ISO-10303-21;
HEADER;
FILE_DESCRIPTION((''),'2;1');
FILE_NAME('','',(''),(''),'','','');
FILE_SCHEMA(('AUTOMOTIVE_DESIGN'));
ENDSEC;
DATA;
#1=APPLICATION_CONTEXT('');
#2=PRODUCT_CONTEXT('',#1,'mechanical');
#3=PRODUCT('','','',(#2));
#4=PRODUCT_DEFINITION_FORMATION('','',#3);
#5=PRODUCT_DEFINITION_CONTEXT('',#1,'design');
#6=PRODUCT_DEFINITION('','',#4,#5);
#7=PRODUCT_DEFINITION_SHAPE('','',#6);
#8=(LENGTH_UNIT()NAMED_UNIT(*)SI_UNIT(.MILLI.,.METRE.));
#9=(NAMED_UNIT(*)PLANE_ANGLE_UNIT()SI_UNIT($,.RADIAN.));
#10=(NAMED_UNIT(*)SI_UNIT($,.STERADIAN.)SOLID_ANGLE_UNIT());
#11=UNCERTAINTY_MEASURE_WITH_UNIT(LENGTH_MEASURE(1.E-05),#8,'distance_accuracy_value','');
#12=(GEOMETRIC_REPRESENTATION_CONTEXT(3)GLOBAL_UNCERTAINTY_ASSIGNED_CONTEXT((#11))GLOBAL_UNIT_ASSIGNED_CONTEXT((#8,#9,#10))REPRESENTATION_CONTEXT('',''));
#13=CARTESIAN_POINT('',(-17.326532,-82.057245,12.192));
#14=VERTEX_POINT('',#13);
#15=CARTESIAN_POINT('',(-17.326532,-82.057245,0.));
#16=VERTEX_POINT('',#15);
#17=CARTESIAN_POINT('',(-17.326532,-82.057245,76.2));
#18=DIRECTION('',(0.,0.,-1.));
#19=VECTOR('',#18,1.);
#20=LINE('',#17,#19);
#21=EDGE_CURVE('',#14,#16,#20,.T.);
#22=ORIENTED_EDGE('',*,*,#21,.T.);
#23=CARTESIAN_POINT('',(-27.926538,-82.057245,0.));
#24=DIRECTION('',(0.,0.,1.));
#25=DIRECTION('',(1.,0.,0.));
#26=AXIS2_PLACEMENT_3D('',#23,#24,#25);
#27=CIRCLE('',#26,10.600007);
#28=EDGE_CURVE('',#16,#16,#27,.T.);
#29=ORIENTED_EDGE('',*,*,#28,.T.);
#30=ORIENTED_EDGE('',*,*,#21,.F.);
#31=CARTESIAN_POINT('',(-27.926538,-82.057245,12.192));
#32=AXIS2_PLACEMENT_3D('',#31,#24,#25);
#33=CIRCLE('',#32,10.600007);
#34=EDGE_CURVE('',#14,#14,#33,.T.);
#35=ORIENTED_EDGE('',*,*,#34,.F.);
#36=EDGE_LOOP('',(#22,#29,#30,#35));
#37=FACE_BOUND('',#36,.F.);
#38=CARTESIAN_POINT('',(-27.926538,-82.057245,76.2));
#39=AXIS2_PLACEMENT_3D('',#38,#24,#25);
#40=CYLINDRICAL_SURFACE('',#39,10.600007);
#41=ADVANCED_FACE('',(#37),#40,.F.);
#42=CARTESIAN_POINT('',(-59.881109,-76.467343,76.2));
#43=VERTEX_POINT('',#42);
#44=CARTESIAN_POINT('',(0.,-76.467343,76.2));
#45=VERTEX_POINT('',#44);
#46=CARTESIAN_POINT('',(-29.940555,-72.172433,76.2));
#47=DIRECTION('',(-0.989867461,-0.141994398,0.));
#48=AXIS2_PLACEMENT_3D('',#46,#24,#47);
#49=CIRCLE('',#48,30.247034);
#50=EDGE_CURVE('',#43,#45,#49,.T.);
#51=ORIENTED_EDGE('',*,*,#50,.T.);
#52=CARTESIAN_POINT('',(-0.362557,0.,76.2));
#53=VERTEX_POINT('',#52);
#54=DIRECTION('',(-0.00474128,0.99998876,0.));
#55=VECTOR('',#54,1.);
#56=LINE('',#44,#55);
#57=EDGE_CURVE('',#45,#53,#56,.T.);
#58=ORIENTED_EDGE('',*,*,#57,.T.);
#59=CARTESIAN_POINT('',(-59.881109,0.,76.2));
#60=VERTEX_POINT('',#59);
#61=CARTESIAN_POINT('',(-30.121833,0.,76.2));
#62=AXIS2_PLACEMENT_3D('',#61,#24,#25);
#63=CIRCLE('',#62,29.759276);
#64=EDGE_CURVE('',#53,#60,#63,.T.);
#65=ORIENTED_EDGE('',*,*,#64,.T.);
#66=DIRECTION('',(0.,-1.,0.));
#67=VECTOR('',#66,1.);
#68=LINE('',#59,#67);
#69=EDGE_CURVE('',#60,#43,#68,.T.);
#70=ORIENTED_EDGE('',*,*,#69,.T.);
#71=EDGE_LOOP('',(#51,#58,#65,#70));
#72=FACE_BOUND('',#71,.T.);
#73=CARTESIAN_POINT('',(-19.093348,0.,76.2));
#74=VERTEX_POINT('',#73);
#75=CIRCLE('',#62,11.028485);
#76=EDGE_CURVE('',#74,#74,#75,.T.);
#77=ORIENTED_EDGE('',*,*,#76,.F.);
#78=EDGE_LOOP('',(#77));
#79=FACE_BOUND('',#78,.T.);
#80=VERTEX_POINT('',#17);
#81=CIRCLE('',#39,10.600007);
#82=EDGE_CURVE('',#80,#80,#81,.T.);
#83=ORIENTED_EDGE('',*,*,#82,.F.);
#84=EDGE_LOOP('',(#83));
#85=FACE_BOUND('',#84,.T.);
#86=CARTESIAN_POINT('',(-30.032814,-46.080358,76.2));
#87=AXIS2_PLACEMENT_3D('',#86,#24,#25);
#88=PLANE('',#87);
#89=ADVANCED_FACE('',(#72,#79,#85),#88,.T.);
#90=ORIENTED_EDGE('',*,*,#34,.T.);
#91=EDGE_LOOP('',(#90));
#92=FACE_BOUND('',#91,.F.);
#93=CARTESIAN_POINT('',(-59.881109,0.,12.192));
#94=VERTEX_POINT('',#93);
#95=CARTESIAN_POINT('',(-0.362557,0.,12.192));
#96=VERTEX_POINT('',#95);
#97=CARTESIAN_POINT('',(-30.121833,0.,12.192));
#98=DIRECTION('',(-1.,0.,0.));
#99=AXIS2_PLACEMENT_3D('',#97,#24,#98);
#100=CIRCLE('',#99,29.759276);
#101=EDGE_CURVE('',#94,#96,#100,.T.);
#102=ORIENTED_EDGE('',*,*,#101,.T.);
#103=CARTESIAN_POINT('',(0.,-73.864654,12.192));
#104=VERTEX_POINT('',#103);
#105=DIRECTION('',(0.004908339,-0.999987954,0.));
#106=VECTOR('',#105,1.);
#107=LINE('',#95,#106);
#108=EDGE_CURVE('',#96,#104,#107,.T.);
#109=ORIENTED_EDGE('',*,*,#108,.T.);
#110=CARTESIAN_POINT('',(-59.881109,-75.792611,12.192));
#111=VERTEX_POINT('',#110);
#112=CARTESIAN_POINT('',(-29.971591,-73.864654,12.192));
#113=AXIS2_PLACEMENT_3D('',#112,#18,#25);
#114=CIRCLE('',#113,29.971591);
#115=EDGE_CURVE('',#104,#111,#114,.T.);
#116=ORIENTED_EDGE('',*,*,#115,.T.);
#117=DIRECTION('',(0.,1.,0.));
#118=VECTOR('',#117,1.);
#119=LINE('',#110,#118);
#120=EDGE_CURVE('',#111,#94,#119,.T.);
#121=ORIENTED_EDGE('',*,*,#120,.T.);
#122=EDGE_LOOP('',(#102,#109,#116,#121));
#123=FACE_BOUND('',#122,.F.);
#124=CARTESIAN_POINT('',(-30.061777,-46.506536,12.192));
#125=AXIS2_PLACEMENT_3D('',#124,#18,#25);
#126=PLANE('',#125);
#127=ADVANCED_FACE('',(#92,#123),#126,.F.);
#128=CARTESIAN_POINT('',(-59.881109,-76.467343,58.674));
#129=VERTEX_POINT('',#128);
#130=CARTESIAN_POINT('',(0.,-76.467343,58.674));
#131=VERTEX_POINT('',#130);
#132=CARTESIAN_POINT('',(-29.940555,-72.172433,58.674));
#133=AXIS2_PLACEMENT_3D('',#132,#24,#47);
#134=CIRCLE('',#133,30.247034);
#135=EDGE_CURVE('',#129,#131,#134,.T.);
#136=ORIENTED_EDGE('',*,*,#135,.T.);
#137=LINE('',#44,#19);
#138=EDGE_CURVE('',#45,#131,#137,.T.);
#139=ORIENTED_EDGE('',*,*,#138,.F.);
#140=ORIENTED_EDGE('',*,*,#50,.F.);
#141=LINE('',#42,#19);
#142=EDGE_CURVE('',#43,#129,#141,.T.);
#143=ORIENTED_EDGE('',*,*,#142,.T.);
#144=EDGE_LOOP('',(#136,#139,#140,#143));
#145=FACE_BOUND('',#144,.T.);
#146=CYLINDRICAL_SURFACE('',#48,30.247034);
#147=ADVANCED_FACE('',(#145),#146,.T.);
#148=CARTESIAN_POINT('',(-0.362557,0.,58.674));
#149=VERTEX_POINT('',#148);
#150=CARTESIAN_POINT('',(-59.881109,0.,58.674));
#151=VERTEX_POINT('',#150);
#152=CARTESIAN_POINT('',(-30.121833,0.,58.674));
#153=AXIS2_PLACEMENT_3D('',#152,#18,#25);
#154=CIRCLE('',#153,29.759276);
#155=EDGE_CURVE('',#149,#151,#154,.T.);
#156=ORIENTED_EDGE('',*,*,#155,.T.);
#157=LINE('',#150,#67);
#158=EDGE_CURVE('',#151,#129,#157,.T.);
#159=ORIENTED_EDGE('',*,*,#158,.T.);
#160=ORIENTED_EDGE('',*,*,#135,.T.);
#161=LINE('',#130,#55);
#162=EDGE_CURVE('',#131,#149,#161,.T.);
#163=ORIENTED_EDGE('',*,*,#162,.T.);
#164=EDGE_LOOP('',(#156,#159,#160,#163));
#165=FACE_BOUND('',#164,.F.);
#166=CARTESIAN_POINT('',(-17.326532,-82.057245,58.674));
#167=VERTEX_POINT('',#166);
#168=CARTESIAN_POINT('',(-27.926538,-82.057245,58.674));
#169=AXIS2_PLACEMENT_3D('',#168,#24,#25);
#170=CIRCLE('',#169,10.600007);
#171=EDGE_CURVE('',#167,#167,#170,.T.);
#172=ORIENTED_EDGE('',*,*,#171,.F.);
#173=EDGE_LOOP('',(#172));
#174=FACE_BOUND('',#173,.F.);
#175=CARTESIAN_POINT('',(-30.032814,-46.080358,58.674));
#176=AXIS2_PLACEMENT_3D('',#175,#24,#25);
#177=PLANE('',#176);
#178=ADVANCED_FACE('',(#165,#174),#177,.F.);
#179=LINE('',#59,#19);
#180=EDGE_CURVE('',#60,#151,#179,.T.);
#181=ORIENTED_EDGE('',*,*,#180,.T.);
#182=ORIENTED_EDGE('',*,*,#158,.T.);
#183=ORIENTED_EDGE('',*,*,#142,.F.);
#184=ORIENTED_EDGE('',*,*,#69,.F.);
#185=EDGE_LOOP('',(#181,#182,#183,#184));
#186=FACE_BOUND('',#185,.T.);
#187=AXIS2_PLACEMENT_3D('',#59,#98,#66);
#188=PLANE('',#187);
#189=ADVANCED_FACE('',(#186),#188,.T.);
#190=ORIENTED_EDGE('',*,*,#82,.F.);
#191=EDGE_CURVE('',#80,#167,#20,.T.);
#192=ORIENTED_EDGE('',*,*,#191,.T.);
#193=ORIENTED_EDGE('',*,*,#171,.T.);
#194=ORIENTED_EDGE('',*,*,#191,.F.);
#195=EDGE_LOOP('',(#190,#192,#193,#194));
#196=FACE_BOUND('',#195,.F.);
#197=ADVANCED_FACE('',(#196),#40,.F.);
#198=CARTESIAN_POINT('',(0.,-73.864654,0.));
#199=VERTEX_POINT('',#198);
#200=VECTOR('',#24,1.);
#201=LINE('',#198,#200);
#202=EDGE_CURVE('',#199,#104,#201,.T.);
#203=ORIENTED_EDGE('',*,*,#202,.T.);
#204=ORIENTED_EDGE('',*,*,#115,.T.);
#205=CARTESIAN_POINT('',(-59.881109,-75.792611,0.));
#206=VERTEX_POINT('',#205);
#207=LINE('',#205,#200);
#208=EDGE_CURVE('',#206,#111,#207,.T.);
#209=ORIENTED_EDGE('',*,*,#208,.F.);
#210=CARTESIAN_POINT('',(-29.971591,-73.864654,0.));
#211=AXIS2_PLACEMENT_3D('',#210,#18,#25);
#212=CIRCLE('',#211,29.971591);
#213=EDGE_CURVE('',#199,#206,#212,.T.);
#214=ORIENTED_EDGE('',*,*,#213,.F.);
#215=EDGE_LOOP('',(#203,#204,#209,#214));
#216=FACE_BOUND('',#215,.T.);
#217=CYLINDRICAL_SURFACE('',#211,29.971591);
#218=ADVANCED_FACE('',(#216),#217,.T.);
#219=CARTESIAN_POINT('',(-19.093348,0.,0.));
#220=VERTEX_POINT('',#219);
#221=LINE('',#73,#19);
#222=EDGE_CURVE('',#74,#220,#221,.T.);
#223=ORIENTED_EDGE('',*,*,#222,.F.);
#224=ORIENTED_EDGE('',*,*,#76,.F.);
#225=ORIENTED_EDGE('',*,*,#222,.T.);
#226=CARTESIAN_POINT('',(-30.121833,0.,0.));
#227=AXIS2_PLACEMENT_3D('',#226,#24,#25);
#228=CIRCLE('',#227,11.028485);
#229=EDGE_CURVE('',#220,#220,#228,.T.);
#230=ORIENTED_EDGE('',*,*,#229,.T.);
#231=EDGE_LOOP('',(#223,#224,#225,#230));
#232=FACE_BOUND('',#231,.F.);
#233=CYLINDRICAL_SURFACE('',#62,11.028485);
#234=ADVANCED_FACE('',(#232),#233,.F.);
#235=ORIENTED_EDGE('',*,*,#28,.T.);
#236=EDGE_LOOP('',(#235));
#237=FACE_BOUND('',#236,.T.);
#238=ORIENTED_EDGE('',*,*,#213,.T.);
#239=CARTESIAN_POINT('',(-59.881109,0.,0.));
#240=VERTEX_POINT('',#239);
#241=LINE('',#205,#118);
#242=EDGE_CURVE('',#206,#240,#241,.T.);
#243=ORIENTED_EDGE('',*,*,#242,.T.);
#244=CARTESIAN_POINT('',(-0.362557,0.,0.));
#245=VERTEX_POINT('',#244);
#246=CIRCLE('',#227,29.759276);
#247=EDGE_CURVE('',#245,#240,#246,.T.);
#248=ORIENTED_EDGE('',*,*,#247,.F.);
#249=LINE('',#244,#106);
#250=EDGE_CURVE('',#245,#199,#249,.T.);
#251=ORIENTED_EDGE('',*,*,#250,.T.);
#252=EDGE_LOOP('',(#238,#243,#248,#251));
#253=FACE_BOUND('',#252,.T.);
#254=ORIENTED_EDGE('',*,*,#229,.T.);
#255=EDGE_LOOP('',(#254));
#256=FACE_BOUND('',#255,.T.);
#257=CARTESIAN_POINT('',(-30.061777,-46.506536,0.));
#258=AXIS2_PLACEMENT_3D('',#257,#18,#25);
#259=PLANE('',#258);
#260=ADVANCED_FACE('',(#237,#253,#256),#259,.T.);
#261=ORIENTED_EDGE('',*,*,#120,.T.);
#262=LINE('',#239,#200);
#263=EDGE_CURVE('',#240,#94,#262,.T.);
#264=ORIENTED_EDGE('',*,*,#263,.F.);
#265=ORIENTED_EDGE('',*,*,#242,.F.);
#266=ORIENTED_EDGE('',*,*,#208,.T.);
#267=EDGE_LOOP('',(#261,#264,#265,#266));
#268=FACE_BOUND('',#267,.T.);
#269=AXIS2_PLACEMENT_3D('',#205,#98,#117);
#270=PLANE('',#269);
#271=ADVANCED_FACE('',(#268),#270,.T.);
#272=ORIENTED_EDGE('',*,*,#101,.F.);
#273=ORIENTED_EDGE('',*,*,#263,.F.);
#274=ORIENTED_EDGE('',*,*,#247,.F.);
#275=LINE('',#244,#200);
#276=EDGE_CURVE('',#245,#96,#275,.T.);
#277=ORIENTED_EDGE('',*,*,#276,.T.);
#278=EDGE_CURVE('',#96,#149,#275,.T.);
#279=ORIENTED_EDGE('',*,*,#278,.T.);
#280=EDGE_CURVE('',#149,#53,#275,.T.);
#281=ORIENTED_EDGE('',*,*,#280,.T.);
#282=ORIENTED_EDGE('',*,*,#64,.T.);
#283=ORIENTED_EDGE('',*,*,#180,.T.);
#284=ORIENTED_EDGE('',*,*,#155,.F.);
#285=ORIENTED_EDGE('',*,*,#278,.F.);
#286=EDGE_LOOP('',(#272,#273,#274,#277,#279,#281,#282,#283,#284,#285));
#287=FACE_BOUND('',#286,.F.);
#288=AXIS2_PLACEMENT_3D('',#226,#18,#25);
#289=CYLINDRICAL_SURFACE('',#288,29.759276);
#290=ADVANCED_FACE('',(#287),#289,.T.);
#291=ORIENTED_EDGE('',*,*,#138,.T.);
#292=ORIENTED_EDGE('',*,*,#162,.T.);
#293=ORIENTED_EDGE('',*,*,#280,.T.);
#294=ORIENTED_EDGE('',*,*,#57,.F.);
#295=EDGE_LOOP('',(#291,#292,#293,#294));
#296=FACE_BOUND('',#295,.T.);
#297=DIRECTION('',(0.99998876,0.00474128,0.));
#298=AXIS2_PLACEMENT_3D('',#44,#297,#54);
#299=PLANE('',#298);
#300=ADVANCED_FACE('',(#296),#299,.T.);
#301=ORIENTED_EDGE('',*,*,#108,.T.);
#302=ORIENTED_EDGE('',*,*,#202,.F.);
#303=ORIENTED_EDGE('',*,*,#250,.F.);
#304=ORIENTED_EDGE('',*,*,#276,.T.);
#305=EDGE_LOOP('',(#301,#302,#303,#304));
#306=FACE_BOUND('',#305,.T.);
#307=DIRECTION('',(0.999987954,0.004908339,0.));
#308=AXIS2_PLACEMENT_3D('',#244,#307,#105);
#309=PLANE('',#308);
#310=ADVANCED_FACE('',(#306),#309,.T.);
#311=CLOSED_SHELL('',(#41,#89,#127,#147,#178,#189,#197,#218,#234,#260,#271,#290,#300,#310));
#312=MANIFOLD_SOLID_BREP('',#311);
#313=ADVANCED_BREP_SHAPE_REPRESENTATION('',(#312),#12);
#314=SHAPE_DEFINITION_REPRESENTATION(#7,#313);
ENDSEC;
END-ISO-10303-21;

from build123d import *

# Parameters (mm, degrees)
F0_R     = 29.759275958
F1_DEPTH = 76.2
F2_R     = 11.0284850213
F3_DEPTH = 120.142
F5_DEPTH = 12.192
F7_DEPTH = 17.526
F8_R     = 10.6000065129
F9_DEPTH = 148.59


with BuildPart() as f1:
    # F0 (on Top) → F1 (new body)
    with BuildSketch(Plane.XY):
        with Locations((-30.121833086, 0)):
            Circle(F0_R)
    extrude(amount=F1_DEPTH)

    # F2 (on face) → F3 (cut)
    with BuildSketch(Plane.XY.offset(76.2)):
        with Locations((-30.121833086, 0)):
            Circle(F2_R)
    extrude(amount=-F3_DEPTH, mode=Mode.SUBTRACT)

    # F4 (on face) → F5 (join)
    with BuildSketch(Plane(origin=(0, 0, 0), x_dir=(1, 0, 0), z_dir=(0, 0, -1))):
        with BuildLine():
            Line((-59.8811090441, 75.7926106453), (-59.8811090441, 0))
            ThreePointArc((-59.8811090441, 0), (-30.121833086, 29.759275958), (-0.362557128, 0))
            Line((-0.362557128, 0), (0, 73.8646537066))
            ThreePointArc((0, 73.8646537066), (-29.0071131969, 103.8207225337), (-59.8811090441, 75.7926106453))
        make_face()
    extrude(amount=-F5_DEPTH)

    # F6 (on face) → F7 (join)
    with BuildSketch(Plane.XY.offset(76.2)):
        with BuildLine():
            Line((0, -76.4673426747), (-0.362557128, 0))
            ThreePointArc((-0.362557128, 0), (-30.121833086, -29.759275958), (-59.8811090441, 0))
            Line((-59.8811090441, 0), (-59.8811090441, -76.4673426747))
            ThreePointArc((-59.8811090441, -76.4673426747), (-29.940554522, -102.4194670942), (0, -76.4673426747))
        make_face()
    extrude(amount=-F7_DEPTH)

    # F8 (on face) → F9 (cut)
    with BuildSketch(Plane.XY.offset(76.2)):
        with Locations((-27.9265381396, -82.0572450757)):
            Circle(F8_R)
    extrude(amount=-F9_DEPTH, mode=Mode.SUBTRACT)


solid = f1.part
